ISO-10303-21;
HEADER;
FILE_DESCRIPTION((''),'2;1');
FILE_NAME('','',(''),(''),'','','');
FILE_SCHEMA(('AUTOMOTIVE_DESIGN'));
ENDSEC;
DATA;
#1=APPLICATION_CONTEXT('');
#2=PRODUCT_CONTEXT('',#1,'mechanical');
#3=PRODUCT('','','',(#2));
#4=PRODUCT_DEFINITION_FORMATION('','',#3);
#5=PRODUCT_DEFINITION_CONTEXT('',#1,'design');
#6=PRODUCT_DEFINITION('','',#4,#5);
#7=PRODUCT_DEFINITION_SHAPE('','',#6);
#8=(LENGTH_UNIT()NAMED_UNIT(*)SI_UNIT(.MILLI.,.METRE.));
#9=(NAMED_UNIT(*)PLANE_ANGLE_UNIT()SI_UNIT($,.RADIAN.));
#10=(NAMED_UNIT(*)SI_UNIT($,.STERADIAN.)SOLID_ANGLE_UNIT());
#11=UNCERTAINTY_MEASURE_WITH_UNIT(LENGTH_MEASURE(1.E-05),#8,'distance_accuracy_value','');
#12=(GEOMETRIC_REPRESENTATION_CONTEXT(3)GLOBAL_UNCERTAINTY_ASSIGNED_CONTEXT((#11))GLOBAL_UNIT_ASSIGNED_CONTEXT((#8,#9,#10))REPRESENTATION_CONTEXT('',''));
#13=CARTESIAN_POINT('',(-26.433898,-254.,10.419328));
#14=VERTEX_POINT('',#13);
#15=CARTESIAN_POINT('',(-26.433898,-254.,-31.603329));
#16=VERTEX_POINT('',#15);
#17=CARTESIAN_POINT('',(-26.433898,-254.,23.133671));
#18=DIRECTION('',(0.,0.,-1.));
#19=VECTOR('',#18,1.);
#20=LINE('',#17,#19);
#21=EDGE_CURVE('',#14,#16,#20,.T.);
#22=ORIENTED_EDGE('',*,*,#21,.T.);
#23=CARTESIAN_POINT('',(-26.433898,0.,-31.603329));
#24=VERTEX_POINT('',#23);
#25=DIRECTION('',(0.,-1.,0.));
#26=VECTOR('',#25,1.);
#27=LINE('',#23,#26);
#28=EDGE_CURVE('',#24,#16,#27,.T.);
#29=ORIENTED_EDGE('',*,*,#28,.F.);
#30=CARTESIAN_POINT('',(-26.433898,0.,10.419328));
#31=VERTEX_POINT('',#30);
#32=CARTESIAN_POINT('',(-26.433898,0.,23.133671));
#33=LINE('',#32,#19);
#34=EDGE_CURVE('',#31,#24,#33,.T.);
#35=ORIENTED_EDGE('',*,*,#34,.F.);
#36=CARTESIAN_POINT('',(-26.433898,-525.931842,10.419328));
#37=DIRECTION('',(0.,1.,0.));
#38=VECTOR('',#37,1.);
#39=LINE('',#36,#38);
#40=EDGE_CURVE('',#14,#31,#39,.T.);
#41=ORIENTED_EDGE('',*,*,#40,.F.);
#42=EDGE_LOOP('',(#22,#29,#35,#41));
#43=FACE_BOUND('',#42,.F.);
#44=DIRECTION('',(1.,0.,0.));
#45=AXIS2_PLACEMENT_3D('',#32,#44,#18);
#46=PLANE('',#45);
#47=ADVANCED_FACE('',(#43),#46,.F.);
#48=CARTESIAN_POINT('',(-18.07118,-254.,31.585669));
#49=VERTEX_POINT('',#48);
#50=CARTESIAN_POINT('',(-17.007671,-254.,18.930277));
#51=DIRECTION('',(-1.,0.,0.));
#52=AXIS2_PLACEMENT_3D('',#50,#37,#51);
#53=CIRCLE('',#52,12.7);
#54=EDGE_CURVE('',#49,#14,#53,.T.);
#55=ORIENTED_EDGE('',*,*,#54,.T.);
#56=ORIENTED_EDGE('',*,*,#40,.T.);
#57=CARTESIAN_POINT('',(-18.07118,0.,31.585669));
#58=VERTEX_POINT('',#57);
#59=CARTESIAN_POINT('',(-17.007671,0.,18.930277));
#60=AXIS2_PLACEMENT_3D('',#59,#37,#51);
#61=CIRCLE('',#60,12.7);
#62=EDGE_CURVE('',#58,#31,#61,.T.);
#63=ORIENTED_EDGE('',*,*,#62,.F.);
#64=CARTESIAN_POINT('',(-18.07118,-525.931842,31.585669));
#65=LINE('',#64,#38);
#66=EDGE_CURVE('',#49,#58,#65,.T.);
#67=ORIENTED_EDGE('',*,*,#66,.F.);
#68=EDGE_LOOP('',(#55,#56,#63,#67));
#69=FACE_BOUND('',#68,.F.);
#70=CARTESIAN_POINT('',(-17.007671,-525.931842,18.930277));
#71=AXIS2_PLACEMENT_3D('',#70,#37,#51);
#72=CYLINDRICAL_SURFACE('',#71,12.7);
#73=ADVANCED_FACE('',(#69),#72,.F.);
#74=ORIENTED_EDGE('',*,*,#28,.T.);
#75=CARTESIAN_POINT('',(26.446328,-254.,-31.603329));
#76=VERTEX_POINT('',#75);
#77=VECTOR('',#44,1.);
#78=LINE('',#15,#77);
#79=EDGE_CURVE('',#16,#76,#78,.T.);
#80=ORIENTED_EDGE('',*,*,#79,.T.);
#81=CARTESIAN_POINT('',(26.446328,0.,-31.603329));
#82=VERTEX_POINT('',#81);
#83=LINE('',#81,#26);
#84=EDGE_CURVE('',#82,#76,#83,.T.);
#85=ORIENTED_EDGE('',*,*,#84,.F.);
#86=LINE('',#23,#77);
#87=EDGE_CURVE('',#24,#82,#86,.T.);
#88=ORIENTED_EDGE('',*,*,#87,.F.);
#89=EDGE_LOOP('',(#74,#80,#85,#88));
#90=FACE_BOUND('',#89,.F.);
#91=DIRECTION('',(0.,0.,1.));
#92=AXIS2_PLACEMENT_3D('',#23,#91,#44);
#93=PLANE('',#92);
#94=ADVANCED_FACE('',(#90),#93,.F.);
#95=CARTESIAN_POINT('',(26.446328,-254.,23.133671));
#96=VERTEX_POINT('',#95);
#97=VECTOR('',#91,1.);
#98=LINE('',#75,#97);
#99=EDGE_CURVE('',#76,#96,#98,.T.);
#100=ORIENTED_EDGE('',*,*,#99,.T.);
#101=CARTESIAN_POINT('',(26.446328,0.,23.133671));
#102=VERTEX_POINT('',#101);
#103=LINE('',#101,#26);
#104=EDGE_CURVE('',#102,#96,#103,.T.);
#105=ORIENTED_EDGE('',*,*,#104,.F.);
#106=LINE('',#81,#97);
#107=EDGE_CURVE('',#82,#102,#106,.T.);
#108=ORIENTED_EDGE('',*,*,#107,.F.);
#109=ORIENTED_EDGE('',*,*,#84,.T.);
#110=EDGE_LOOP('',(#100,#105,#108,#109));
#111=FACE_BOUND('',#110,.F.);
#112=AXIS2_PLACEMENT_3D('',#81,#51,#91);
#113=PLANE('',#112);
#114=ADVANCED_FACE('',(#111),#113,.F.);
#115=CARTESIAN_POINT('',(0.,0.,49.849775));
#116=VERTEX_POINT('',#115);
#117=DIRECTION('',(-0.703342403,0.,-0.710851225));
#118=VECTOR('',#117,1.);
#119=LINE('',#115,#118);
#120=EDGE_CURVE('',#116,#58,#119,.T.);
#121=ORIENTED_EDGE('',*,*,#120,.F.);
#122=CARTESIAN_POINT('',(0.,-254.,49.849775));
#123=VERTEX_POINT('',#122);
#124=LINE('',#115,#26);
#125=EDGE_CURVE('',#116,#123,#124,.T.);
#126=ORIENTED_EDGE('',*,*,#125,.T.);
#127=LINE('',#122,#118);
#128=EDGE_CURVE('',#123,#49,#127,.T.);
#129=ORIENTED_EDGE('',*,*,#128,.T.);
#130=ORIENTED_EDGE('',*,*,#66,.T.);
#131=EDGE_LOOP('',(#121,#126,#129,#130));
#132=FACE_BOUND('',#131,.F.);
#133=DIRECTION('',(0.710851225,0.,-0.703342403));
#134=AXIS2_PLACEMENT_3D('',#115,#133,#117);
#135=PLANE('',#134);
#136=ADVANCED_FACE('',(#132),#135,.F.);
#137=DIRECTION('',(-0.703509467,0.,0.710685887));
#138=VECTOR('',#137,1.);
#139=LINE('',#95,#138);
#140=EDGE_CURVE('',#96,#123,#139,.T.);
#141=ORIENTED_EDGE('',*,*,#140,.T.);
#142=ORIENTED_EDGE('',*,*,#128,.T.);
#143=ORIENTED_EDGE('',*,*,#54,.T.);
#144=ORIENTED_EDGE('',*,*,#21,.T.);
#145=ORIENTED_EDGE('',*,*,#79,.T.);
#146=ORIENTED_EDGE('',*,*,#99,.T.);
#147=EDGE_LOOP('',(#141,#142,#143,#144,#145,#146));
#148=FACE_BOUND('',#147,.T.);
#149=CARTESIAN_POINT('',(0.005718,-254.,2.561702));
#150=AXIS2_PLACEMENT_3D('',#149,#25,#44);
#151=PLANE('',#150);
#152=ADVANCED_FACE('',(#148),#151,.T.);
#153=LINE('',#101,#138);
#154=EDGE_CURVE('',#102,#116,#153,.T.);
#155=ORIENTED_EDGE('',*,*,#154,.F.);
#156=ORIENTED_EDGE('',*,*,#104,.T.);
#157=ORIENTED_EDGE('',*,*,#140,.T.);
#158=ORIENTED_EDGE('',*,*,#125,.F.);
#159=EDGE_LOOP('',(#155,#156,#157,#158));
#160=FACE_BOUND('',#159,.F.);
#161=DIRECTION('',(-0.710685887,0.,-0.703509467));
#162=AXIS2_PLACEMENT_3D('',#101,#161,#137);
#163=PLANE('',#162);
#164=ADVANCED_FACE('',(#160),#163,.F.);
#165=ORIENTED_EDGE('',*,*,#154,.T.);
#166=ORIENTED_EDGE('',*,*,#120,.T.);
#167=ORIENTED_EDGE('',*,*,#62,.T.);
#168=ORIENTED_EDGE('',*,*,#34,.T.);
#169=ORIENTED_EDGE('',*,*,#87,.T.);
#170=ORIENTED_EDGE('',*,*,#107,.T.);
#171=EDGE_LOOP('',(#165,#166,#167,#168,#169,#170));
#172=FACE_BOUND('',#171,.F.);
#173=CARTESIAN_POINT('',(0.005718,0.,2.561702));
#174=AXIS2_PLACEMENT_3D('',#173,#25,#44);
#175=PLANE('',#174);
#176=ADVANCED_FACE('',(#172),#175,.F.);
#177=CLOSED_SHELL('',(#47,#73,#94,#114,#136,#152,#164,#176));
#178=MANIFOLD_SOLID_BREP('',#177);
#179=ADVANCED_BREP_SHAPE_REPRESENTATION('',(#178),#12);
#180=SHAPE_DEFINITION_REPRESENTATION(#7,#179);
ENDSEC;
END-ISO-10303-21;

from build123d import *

# Parameters (mm, degrees)
F1_DEPTH = 254
F3_D     = 25.4


with BuildPart() as f1:
    # F0 (on Front) → F1 (new body)
    with BuildSketch(Plane.XZ):
        Polygon((0, 49.849775), (-26.433898, 23.133671), (-26.433898, -31.603329), (26.446328, -31.603329), (26.446328, 23.133671), align=None)
    extrude(amount=F1_DEPTH)

    # F3 (through all)
    with Locations(Plane.XZ.offset(254)):
        with Locations((-17.007671, 18.930277)):
            Hole(F3_D / 2)


solid = f1.part
